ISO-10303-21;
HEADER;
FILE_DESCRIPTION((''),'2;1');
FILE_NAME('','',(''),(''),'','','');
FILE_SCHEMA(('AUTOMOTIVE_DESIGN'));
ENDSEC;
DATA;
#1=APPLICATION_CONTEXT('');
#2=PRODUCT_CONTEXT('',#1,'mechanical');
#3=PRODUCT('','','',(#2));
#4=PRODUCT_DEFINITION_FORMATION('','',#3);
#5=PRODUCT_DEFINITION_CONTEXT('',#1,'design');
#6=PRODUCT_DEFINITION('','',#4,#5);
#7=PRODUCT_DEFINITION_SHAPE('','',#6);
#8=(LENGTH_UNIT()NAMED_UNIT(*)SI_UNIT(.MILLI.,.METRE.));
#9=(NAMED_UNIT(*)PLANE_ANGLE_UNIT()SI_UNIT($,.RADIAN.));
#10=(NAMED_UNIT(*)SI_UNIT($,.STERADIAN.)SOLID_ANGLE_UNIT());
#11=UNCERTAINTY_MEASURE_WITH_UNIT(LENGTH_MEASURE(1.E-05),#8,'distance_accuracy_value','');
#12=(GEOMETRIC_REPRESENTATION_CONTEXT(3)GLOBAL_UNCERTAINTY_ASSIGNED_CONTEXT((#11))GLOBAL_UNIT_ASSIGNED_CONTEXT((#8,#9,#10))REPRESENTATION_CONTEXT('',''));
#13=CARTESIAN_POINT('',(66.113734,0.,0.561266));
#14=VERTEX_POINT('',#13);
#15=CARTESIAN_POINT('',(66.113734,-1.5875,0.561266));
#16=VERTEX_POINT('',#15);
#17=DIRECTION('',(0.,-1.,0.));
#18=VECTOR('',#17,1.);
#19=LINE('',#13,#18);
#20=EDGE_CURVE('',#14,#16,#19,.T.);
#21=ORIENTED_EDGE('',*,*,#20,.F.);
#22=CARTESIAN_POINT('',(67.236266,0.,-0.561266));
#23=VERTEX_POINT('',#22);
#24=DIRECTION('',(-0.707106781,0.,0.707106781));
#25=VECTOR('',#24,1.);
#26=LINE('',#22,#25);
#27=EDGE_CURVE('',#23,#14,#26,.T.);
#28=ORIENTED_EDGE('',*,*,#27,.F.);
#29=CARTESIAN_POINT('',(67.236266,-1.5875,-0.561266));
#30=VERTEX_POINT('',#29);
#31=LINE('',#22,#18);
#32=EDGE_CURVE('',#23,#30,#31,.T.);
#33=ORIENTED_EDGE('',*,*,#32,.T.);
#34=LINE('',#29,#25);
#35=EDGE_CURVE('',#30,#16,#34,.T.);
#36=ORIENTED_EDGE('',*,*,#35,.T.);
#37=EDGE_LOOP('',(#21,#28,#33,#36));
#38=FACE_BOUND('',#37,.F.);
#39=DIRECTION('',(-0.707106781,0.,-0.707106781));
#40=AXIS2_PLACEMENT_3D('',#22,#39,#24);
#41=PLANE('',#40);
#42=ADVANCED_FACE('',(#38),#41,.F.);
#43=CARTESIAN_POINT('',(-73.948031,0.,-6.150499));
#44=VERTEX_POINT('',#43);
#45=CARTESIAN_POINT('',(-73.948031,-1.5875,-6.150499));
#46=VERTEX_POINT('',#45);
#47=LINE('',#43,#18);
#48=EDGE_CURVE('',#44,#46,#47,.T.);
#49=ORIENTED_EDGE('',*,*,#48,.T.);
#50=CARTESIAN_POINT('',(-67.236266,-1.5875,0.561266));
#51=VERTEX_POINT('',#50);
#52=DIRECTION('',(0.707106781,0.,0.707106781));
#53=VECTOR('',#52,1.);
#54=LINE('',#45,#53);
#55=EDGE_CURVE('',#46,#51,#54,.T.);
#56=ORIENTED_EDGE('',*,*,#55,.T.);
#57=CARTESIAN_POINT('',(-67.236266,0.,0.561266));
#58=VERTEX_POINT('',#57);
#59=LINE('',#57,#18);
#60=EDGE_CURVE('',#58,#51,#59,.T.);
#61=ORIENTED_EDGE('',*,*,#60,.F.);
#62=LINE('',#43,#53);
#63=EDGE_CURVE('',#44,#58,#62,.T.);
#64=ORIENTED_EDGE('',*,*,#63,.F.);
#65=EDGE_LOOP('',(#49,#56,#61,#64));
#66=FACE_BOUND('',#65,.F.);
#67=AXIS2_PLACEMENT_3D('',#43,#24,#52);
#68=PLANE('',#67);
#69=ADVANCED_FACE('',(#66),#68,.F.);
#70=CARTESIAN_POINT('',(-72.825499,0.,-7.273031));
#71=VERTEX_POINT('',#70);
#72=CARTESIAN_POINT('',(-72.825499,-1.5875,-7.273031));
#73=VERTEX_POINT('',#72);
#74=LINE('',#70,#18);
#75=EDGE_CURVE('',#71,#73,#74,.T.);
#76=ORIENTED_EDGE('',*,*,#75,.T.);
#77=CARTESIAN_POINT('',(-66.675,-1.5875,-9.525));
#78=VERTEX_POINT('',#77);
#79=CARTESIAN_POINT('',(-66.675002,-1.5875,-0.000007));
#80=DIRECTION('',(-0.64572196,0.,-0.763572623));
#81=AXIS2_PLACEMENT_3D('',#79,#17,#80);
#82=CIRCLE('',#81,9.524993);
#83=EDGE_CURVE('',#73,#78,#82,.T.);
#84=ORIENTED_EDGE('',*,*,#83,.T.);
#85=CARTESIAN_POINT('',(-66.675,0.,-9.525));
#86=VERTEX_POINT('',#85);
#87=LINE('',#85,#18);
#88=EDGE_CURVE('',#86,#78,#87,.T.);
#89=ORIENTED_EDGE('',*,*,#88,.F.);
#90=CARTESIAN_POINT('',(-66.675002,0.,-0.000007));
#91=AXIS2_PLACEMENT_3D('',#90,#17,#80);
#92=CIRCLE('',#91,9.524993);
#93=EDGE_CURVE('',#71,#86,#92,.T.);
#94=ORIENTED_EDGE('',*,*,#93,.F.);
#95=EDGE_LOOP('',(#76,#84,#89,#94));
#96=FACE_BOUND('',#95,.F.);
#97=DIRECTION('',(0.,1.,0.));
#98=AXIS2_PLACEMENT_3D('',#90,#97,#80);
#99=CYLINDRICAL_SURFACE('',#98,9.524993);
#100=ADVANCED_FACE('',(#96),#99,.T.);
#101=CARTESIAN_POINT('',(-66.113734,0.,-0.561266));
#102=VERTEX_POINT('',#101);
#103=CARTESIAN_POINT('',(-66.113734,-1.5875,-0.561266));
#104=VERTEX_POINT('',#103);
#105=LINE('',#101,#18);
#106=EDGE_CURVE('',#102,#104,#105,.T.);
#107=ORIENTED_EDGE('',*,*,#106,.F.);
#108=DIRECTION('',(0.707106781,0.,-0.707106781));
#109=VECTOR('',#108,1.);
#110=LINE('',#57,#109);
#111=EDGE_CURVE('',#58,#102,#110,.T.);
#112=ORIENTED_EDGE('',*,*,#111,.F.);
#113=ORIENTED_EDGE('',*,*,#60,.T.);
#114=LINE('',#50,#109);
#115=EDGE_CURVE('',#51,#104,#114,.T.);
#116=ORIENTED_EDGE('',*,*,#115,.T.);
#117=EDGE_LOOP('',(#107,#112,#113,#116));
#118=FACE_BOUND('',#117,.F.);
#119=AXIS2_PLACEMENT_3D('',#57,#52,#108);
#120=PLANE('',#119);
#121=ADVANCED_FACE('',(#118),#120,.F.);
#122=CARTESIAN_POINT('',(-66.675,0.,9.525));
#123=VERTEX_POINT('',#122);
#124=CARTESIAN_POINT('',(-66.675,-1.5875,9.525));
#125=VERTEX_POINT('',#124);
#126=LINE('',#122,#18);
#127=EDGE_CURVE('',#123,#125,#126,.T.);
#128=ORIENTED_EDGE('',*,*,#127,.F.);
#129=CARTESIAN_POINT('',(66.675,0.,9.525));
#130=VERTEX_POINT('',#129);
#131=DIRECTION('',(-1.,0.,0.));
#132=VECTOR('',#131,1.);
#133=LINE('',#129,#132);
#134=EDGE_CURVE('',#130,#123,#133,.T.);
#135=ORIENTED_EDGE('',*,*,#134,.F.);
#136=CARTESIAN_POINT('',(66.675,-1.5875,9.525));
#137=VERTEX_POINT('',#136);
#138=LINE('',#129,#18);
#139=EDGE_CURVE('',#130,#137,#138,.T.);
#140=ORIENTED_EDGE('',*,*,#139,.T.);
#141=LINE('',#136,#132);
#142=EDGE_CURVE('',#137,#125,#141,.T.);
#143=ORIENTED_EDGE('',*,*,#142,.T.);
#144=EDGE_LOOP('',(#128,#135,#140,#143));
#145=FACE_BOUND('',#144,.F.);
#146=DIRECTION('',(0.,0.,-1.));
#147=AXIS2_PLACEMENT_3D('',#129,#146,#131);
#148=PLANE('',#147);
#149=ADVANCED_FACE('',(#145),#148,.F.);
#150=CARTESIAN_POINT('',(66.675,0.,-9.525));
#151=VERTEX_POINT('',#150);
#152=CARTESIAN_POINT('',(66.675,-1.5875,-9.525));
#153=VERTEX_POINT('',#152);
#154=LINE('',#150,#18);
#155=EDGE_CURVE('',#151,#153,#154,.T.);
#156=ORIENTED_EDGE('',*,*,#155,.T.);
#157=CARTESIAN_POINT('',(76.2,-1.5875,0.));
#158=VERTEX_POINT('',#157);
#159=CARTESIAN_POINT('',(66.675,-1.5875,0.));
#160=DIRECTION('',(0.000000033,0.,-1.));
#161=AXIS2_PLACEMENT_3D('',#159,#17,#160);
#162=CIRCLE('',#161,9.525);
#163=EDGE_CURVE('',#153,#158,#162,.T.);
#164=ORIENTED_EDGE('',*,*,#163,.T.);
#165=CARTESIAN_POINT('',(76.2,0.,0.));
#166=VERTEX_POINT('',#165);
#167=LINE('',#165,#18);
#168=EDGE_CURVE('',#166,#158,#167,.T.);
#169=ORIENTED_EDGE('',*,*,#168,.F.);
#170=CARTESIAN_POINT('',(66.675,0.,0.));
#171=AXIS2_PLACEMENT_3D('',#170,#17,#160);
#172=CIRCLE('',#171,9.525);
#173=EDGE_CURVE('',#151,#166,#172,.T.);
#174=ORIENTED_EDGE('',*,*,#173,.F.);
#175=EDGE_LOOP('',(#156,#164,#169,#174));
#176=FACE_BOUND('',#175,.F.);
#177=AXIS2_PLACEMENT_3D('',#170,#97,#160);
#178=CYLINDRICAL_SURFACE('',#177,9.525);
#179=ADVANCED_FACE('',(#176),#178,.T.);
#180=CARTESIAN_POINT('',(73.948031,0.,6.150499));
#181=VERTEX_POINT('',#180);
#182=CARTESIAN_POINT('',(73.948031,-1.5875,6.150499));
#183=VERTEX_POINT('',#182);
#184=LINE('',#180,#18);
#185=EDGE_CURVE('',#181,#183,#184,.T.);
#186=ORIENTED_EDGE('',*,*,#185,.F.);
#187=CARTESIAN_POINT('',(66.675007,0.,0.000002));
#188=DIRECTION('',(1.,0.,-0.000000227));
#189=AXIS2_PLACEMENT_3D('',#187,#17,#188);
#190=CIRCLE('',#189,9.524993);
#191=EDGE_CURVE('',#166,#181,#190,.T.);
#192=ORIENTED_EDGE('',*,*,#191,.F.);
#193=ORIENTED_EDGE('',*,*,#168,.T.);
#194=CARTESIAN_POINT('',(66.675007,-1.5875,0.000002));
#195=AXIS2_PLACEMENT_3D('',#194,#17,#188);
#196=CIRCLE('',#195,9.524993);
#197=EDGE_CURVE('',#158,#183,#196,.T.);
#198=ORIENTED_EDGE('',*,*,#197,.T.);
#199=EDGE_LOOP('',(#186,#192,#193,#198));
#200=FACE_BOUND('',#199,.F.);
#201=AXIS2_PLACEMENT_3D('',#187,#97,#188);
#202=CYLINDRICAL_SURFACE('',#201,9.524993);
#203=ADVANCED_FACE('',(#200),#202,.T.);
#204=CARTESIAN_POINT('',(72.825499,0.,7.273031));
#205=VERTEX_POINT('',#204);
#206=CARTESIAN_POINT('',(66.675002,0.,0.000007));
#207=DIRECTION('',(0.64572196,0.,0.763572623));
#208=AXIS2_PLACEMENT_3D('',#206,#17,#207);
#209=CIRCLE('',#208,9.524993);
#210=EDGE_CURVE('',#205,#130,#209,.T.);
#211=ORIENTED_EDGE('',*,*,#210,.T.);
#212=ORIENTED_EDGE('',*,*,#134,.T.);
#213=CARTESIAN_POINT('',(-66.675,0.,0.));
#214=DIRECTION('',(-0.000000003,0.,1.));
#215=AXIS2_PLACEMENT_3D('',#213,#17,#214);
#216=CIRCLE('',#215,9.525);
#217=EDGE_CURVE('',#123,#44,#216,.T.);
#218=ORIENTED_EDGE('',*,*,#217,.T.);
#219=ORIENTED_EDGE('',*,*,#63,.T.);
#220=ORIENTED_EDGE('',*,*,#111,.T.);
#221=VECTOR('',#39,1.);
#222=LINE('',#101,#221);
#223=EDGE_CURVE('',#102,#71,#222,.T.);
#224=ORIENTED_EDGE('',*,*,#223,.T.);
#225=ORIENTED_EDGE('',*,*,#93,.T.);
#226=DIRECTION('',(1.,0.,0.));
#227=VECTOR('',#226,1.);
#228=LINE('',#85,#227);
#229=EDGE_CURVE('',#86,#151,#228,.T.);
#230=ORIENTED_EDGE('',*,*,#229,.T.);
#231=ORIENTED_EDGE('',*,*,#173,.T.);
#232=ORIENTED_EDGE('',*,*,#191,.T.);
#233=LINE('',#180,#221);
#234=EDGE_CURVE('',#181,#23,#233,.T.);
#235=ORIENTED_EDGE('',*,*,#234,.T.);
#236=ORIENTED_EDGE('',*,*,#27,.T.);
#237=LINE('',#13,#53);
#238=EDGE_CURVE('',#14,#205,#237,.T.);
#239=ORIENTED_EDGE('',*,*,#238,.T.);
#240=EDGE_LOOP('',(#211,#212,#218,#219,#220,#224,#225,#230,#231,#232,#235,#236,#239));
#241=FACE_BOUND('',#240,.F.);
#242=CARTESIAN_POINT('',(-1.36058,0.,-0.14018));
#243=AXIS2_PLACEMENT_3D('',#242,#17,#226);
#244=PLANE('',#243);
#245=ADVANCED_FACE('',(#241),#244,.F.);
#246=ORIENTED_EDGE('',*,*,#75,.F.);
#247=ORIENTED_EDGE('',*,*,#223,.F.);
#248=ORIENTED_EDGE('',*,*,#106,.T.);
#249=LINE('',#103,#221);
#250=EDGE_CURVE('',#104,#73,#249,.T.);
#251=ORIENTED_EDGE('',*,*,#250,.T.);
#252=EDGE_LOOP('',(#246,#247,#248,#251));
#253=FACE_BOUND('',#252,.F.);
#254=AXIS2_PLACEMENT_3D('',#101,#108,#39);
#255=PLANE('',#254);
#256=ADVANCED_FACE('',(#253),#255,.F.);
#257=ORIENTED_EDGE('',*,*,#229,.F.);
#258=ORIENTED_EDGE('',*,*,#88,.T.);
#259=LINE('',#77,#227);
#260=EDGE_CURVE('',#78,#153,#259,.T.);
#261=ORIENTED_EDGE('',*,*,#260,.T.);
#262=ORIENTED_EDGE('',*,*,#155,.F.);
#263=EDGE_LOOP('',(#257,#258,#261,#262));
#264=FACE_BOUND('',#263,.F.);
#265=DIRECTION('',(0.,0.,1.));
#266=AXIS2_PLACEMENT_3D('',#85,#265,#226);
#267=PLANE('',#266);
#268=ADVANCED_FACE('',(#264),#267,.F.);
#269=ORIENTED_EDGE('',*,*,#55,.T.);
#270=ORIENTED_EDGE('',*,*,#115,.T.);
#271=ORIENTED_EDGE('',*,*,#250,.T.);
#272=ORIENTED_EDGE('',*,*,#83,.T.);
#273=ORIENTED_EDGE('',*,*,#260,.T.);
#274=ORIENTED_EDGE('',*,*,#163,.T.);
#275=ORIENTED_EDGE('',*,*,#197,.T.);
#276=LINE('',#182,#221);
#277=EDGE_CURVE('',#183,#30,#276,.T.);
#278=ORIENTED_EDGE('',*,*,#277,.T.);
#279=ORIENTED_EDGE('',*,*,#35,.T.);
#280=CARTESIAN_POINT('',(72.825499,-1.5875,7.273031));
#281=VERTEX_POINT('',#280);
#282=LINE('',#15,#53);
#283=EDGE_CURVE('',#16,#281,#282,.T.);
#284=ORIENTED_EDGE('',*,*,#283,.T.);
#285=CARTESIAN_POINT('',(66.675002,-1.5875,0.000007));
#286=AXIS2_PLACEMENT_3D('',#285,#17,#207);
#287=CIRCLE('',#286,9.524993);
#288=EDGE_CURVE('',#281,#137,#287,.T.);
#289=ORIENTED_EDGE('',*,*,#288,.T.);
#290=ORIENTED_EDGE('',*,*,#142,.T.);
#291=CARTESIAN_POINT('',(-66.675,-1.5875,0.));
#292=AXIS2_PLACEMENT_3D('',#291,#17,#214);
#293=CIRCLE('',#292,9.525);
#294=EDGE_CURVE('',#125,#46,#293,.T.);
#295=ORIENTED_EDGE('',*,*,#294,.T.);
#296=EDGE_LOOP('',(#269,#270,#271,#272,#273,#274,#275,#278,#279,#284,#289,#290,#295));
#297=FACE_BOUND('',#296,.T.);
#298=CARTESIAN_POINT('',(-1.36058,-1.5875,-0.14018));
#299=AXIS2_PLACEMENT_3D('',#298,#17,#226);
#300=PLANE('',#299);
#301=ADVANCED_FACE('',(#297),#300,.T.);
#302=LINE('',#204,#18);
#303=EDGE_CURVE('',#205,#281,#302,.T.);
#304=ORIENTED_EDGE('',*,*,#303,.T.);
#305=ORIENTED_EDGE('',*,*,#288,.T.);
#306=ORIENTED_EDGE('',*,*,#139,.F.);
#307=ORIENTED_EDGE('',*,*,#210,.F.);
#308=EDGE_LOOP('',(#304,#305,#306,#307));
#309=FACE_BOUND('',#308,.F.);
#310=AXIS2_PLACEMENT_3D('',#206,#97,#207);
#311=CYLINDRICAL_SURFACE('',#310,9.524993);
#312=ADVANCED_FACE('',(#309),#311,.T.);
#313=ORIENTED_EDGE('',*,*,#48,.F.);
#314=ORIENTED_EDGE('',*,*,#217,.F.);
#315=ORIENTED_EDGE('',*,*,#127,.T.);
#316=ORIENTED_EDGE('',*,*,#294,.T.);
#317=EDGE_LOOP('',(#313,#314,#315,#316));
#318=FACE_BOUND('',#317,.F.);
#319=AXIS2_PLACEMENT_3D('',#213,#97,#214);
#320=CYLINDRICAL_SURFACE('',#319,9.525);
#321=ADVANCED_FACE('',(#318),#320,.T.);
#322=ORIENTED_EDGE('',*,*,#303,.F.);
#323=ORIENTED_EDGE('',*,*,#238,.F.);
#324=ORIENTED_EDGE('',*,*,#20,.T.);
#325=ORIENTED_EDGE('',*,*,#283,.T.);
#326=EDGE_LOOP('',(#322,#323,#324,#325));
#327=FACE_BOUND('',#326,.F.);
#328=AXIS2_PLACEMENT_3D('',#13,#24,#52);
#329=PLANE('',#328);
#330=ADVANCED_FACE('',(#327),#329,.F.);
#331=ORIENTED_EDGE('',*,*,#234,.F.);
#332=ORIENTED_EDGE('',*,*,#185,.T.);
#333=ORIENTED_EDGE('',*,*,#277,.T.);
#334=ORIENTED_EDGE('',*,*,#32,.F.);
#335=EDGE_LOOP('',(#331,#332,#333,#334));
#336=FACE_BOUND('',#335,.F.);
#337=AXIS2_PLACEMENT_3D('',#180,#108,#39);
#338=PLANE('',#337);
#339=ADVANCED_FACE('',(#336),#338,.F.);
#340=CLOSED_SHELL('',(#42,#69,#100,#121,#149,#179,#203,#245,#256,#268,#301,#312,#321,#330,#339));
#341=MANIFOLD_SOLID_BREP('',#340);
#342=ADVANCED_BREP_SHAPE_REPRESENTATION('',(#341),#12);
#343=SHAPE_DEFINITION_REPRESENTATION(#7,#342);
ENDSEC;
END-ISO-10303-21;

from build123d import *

# Parameters (mm, degrees)
F1_DEPTH = 1.5875


with BuildPart() as f1:
    # F0 (on Front) → F1 (new body)
    with BuildSketch(Plane.XZ):
        with BuildLine():
            ThreePointArc((72.825499, 7.273031), (69.949905, 8.944307), (66.675, 9.525))
            Line((66.675, 9.525), (-66.675, 9.525))
            ThreePointArc((-66.675, 9.525), (-75.315287, 4.008873), (-73.948031, -6.150499))
            Line((-73.948031, -6.150499), (-67.236266, 0.561266))
            Line((-67.236266, 0.561266), (-66.675, 0))
            Line((-66.675, 0), (-66.113734, -0.561266))
            Line((-66.113734, -0.561266), (-72.825499, -7.273031))
            ThreePointArc((-72.825499, -7.273031), (-69.949905, -8.944307), (-66.675, -9.525))
            Line((-66.675, -9.525), (66.675, -9.525))
            ThreePointArc((66.675, -9.525), (73.410192, -6.735192), (76.2, 0))
            Line((76.2, 0), (67.797532, 0))
            Line((67.797532, 0), (67.236266, -0.561266))
            Line((67.236266, -0.561266), (66.675, 0))
            Line((66.675, 0), (66.113734, 0.561266))
            Line((66.113734, 0.561266), (72.825499, 7.273031))
        make_face()
        with BuildLine():
            ThreePointArc((76.2, 0), (75.619307, 3.274905), (73.948031, 6.150499))
            Line((73.948031, 6.150499), (67.797532, 0))
            Line((67.797532, 0), (76.2, 0))
        make_face()
    extrude(amount=F1_DEPTH)


solid = f1.part
